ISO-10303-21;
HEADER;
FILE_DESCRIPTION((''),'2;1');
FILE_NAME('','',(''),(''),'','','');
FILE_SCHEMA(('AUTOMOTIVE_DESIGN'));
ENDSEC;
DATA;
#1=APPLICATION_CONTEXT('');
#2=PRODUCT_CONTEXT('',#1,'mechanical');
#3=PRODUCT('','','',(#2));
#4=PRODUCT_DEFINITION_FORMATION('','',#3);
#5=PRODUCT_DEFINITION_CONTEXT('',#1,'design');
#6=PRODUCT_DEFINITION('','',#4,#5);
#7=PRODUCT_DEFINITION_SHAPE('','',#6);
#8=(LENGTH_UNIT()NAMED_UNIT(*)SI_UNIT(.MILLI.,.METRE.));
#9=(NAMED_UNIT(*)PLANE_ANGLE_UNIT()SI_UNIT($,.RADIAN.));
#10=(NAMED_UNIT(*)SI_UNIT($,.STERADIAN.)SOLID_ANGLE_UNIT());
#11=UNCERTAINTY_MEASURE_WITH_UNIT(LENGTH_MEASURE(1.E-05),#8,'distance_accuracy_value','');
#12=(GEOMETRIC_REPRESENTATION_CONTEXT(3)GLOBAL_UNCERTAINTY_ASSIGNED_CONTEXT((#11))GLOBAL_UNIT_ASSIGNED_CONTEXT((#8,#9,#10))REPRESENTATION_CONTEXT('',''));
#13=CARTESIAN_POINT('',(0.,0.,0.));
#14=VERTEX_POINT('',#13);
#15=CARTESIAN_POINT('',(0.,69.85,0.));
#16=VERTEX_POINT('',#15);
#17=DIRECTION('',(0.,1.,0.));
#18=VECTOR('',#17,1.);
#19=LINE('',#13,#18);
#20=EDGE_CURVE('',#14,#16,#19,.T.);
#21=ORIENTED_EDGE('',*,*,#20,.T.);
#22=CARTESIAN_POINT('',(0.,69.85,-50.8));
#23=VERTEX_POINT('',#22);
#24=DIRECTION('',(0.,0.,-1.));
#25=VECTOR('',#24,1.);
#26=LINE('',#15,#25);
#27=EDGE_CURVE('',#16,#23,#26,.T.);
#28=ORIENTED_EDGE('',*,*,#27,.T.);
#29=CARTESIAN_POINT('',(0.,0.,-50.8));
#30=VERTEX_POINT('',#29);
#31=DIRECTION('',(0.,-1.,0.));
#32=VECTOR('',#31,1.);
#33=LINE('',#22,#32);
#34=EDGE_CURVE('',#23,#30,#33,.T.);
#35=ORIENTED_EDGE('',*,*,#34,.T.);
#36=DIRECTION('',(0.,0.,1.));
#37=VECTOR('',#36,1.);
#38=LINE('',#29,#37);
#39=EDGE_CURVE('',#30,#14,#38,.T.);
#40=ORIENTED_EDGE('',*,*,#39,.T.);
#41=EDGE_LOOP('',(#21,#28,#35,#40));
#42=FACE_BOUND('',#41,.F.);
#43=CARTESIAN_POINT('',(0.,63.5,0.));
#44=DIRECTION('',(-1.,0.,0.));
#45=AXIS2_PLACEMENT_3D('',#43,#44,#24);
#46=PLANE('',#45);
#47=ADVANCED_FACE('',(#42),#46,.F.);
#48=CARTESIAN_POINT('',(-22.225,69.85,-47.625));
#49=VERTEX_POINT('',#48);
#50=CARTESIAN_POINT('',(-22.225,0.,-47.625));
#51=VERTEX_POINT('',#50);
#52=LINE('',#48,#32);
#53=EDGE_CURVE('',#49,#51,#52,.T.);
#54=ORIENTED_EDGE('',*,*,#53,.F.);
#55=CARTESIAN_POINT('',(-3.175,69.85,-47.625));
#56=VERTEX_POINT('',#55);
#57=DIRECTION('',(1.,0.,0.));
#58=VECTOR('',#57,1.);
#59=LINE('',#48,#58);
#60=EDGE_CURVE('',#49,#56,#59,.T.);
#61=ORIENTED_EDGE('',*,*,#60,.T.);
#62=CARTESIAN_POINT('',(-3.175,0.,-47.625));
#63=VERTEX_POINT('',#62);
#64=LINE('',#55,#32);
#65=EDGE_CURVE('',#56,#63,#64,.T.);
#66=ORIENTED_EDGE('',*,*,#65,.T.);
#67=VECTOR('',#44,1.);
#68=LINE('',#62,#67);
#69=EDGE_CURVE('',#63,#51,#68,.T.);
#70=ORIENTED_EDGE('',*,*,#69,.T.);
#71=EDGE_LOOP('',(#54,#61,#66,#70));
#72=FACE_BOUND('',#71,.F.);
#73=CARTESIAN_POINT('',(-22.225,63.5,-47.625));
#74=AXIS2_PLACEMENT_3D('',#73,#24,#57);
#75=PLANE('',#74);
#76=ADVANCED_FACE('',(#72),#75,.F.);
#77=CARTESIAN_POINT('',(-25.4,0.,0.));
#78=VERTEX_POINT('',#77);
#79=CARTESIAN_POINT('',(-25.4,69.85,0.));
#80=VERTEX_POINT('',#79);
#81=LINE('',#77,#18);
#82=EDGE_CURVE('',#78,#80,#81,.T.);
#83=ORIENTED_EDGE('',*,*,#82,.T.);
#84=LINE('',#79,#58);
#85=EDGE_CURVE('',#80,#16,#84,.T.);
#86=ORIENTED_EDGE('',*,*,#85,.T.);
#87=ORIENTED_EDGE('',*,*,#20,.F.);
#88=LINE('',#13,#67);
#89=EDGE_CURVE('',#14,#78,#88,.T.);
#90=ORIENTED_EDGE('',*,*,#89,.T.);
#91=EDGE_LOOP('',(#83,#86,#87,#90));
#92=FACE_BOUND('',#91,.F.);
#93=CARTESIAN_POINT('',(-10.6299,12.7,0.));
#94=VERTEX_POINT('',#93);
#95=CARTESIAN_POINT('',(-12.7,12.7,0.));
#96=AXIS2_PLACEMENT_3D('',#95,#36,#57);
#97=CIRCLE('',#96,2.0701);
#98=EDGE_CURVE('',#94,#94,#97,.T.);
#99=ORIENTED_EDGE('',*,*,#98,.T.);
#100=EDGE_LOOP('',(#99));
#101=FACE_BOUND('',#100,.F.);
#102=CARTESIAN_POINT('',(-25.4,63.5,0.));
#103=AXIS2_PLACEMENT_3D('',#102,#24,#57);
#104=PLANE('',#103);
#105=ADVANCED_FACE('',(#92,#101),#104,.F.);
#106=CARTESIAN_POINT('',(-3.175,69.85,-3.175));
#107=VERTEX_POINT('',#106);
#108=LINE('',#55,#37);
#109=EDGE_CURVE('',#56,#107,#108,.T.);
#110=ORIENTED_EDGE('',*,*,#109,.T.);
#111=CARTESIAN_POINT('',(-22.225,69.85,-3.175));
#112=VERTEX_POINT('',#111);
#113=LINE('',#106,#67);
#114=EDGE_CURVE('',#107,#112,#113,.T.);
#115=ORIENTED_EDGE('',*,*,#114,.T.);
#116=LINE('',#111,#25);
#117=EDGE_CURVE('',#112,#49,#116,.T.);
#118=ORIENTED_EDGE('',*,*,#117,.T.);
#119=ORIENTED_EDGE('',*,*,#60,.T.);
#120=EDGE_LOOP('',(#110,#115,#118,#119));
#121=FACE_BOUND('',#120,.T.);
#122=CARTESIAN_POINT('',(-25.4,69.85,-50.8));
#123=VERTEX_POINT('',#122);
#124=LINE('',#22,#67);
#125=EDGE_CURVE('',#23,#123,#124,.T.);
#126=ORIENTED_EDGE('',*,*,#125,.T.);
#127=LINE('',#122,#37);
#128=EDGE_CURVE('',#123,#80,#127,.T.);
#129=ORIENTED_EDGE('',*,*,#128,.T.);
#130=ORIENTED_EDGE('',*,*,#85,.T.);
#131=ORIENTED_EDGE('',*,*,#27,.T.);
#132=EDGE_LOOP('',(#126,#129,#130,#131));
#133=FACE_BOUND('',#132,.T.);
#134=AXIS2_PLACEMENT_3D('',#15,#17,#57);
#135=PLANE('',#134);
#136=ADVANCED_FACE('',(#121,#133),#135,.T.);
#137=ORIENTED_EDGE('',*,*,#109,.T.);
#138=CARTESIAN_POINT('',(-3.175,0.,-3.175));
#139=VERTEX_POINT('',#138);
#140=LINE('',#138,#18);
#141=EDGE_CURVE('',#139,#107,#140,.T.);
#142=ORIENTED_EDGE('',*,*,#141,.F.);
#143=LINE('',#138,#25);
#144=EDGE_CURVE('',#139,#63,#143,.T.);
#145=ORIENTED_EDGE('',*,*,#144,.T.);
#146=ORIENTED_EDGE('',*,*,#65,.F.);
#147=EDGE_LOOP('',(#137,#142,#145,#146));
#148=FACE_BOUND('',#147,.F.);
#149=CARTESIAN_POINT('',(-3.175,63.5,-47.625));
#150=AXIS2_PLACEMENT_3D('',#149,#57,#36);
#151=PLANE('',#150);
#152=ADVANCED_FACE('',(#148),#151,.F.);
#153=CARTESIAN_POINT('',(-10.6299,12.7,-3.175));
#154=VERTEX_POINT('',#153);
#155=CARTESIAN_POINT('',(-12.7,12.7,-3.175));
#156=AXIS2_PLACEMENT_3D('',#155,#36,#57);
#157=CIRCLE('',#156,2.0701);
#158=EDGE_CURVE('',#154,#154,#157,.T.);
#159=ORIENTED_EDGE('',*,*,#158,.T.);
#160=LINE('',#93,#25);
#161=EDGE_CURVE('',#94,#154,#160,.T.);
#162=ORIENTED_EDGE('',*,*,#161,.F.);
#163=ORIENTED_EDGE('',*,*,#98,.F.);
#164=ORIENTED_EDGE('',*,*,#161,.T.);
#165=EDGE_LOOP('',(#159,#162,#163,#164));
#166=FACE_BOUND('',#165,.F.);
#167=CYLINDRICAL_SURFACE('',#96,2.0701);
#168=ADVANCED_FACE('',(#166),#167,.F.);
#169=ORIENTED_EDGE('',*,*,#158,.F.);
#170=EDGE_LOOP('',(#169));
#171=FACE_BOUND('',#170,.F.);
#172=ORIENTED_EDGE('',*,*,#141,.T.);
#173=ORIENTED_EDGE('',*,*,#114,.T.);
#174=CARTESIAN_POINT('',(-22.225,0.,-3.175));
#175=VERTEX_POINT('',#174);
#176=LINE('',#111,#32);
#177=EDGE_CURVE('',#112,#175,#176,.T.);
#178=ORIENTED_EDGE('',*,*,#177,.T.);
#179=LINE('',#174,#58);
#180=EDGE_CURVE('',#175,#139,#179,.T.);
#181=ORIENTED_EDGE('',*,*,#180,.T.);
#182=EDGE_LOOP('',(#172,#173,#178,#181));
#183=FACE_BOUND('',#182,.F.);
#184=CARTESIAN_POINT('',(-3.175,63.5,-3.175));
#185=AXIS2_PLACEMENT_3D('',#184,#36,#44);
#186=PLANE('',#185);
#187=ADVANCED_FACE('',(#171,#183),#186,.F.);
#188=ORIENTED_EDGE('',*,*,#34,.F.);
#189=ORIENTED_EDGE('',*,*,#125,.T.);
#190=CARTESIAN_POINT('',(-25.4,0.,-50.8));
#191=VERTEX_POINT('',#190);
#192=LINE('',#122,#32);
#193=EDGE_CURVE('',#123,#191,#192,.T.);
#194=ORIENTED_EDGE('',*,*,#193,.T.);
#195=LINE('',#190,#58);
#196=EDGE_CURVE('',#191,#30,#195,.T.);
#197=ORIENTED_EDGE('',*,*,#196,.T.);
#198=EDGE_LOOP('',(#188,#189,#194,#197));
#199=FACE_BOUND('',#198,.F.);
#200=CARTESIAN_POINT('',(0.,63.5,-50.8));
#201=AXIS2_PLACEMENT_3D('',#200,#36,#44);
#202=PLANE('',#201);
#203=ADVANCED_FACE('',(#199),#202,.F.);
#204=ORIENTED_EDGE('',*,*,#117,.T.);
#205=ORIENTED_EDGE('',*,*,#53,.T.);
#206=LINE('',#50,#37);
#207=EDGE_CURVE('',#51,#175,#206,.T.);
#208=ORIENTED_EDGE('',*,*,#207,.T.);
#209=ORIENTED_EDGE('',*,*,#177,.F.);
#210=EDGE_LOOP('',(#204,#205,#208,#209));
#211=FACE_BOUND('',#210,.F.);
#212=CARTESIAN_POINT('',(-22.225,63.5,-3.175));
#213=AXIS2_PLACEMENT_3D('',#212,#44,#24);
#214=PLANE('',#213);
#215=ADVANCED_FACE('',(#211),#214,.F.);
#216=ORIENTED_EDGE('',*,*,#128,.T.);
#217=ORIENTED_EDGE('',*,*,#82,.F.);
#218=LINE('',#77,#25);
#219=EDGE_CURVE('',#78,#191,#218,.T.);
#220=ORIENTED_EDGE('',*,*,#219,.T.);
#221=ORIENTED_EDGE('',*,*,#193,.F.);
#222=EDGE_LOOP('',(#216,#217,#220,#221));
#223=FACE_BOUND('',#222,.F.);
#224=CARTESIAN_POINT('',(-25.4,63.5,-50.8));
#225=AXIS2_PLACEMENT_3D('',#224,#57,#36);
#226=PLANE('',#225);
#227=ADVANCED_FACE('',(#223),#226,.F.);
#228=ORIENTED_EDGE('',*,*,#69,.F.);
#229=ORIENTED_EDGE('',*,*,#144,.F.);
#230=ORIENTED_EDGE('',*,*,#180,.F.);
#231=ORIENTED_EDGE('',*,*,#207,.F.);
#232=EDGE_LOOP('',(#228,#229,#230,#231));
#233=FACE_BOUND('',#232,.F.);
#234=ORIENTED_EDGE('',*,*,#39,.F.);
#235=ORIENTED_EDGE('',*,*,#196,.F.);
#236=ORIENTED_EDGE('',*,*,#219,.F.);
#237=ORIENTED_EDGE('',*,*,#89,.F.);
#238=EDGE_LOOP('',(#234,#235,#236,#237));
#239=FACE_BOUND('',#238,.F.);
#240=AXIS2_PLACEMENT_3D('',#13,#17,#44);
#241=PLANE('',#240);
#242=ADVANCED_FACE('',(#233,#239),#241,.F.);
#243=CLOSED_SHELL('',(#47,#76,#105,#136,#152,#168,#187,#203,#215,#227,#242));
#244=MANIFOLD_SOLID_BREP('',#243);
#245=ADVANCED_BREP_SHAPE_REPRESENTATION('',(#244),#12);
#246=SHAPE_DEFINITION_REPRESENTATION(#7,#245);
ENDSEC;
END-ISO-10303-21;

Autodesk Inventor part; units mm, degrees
ref_plane "YZ Plane" through (0, 0, 0) normal (1, 0, 0) x (0, 1, 0)
ref_plane "XZ Plane" through (0, 0, 0) normal (0, 1, 0) x (-1, 0, 0)
ref_plane "XY Plane" through (0, 0, 0) normal (0, 0, 1) x (1, 0, 0)
sketch "Sketch1" plane through (0, 0, 0) normal (0, 1, 0) x (-1, 0, 0)
  line L0 (0, 0) -> (25.4, 0)
  line L1 (25.4, 0) -> (25.4, -50.8)
  line L2 (25.4, -50.8) -> (0, -50.8)
  line L3 (0, -50.8) -> (0, 0)
  line L4 (3.175, -47.625) -> (22.225, -47.625)
  line L5 (22.225, -47.625) -> (22.225, -3.175)
  line L6 (22.225, -3.175) -> (3.175, -3.175)
  line L7 (3.175, -3.175) -> (3.175, -47.625)
  dimension "d0" = 50.8
  dimension "d1" = 25.4
  dimension "d2" = 3.175
extrude "Extrusion1" add sketch "Sketch1" along normal blind 50.8
sketch "Sketch2" plane through (0, 50.8, 0) normal (0, 1, 0) x (1, 0, 0)
  line L0 (-3.175, 47.625) -> (-3.175, 3.175) projected
  line L1 (-3.175, 3.175) -> (-22.225, 3.175) projected
  line L2 (-22.225, 3.175) -> (-22.225, 47.625) projected
  line L3 (-22.225, 47.625) -> (-3.175, 47.625) projected
  line L4 (-25.4, 0) -> (0, 0) projected
  line L5 (0, 0) -> (0, 50.8) projected
  line L6 (0, 50.8) -> (-25.4, 50.8) projected
  line L7 (-25.4, 50.8) -> (-25.4, 0) projected
extrude "Extrusion2" add sketch "Sketch2" along normal blind 12.7
sketch "Sketch3" plane through (0, 63.5, 0) normal (0, 1, 0) x (1, 0, 0)
  line L0 (-3.175, 3.175) -> (-22.225, 3.175) projected
  line L1 (-22.225, 3.175) -> (-22.225, 47.625) projected
  line L2 (-22.225, 47.625) -> (-3.175, 47.625) projected
  line L3 (-3.175, 47.625) -> (-3.175, 3.175) projected
  line L4 (-25.4, 0) -> (0, 0) projected
  line L5 (0, 0) -> (0, 50.8) projected
  line L6 (0, 50.8) -> (-25.4, 50.8) projected
  line L7 (-25.4, 50.8) -> (-25.4, 0) projected
extrude "Extrusion3" add sketch "Sketch3" along normal blind 6.35
sketch "Sketch4" plane through (-25.4, 0, 0) normal (0, 0, 1) x (1, 0, 0)
  circle A0 centre (12.7, 12.7) radius 2.0701
  line L0 (25.4, 0) -> (0, 0) projected
  line L1 (25.4, 0) -> (25.4, 69.85) projected
  dimension "d9" = 4.1402
  dimension "d10" = 12.7
  dimension "d11" = 12.7
extrude "Extrusion4" cut sketch "Sketch4" against normal blind 25.4
properties part number "2x1 2in Alluminum Block.ver1-1111-2019"
